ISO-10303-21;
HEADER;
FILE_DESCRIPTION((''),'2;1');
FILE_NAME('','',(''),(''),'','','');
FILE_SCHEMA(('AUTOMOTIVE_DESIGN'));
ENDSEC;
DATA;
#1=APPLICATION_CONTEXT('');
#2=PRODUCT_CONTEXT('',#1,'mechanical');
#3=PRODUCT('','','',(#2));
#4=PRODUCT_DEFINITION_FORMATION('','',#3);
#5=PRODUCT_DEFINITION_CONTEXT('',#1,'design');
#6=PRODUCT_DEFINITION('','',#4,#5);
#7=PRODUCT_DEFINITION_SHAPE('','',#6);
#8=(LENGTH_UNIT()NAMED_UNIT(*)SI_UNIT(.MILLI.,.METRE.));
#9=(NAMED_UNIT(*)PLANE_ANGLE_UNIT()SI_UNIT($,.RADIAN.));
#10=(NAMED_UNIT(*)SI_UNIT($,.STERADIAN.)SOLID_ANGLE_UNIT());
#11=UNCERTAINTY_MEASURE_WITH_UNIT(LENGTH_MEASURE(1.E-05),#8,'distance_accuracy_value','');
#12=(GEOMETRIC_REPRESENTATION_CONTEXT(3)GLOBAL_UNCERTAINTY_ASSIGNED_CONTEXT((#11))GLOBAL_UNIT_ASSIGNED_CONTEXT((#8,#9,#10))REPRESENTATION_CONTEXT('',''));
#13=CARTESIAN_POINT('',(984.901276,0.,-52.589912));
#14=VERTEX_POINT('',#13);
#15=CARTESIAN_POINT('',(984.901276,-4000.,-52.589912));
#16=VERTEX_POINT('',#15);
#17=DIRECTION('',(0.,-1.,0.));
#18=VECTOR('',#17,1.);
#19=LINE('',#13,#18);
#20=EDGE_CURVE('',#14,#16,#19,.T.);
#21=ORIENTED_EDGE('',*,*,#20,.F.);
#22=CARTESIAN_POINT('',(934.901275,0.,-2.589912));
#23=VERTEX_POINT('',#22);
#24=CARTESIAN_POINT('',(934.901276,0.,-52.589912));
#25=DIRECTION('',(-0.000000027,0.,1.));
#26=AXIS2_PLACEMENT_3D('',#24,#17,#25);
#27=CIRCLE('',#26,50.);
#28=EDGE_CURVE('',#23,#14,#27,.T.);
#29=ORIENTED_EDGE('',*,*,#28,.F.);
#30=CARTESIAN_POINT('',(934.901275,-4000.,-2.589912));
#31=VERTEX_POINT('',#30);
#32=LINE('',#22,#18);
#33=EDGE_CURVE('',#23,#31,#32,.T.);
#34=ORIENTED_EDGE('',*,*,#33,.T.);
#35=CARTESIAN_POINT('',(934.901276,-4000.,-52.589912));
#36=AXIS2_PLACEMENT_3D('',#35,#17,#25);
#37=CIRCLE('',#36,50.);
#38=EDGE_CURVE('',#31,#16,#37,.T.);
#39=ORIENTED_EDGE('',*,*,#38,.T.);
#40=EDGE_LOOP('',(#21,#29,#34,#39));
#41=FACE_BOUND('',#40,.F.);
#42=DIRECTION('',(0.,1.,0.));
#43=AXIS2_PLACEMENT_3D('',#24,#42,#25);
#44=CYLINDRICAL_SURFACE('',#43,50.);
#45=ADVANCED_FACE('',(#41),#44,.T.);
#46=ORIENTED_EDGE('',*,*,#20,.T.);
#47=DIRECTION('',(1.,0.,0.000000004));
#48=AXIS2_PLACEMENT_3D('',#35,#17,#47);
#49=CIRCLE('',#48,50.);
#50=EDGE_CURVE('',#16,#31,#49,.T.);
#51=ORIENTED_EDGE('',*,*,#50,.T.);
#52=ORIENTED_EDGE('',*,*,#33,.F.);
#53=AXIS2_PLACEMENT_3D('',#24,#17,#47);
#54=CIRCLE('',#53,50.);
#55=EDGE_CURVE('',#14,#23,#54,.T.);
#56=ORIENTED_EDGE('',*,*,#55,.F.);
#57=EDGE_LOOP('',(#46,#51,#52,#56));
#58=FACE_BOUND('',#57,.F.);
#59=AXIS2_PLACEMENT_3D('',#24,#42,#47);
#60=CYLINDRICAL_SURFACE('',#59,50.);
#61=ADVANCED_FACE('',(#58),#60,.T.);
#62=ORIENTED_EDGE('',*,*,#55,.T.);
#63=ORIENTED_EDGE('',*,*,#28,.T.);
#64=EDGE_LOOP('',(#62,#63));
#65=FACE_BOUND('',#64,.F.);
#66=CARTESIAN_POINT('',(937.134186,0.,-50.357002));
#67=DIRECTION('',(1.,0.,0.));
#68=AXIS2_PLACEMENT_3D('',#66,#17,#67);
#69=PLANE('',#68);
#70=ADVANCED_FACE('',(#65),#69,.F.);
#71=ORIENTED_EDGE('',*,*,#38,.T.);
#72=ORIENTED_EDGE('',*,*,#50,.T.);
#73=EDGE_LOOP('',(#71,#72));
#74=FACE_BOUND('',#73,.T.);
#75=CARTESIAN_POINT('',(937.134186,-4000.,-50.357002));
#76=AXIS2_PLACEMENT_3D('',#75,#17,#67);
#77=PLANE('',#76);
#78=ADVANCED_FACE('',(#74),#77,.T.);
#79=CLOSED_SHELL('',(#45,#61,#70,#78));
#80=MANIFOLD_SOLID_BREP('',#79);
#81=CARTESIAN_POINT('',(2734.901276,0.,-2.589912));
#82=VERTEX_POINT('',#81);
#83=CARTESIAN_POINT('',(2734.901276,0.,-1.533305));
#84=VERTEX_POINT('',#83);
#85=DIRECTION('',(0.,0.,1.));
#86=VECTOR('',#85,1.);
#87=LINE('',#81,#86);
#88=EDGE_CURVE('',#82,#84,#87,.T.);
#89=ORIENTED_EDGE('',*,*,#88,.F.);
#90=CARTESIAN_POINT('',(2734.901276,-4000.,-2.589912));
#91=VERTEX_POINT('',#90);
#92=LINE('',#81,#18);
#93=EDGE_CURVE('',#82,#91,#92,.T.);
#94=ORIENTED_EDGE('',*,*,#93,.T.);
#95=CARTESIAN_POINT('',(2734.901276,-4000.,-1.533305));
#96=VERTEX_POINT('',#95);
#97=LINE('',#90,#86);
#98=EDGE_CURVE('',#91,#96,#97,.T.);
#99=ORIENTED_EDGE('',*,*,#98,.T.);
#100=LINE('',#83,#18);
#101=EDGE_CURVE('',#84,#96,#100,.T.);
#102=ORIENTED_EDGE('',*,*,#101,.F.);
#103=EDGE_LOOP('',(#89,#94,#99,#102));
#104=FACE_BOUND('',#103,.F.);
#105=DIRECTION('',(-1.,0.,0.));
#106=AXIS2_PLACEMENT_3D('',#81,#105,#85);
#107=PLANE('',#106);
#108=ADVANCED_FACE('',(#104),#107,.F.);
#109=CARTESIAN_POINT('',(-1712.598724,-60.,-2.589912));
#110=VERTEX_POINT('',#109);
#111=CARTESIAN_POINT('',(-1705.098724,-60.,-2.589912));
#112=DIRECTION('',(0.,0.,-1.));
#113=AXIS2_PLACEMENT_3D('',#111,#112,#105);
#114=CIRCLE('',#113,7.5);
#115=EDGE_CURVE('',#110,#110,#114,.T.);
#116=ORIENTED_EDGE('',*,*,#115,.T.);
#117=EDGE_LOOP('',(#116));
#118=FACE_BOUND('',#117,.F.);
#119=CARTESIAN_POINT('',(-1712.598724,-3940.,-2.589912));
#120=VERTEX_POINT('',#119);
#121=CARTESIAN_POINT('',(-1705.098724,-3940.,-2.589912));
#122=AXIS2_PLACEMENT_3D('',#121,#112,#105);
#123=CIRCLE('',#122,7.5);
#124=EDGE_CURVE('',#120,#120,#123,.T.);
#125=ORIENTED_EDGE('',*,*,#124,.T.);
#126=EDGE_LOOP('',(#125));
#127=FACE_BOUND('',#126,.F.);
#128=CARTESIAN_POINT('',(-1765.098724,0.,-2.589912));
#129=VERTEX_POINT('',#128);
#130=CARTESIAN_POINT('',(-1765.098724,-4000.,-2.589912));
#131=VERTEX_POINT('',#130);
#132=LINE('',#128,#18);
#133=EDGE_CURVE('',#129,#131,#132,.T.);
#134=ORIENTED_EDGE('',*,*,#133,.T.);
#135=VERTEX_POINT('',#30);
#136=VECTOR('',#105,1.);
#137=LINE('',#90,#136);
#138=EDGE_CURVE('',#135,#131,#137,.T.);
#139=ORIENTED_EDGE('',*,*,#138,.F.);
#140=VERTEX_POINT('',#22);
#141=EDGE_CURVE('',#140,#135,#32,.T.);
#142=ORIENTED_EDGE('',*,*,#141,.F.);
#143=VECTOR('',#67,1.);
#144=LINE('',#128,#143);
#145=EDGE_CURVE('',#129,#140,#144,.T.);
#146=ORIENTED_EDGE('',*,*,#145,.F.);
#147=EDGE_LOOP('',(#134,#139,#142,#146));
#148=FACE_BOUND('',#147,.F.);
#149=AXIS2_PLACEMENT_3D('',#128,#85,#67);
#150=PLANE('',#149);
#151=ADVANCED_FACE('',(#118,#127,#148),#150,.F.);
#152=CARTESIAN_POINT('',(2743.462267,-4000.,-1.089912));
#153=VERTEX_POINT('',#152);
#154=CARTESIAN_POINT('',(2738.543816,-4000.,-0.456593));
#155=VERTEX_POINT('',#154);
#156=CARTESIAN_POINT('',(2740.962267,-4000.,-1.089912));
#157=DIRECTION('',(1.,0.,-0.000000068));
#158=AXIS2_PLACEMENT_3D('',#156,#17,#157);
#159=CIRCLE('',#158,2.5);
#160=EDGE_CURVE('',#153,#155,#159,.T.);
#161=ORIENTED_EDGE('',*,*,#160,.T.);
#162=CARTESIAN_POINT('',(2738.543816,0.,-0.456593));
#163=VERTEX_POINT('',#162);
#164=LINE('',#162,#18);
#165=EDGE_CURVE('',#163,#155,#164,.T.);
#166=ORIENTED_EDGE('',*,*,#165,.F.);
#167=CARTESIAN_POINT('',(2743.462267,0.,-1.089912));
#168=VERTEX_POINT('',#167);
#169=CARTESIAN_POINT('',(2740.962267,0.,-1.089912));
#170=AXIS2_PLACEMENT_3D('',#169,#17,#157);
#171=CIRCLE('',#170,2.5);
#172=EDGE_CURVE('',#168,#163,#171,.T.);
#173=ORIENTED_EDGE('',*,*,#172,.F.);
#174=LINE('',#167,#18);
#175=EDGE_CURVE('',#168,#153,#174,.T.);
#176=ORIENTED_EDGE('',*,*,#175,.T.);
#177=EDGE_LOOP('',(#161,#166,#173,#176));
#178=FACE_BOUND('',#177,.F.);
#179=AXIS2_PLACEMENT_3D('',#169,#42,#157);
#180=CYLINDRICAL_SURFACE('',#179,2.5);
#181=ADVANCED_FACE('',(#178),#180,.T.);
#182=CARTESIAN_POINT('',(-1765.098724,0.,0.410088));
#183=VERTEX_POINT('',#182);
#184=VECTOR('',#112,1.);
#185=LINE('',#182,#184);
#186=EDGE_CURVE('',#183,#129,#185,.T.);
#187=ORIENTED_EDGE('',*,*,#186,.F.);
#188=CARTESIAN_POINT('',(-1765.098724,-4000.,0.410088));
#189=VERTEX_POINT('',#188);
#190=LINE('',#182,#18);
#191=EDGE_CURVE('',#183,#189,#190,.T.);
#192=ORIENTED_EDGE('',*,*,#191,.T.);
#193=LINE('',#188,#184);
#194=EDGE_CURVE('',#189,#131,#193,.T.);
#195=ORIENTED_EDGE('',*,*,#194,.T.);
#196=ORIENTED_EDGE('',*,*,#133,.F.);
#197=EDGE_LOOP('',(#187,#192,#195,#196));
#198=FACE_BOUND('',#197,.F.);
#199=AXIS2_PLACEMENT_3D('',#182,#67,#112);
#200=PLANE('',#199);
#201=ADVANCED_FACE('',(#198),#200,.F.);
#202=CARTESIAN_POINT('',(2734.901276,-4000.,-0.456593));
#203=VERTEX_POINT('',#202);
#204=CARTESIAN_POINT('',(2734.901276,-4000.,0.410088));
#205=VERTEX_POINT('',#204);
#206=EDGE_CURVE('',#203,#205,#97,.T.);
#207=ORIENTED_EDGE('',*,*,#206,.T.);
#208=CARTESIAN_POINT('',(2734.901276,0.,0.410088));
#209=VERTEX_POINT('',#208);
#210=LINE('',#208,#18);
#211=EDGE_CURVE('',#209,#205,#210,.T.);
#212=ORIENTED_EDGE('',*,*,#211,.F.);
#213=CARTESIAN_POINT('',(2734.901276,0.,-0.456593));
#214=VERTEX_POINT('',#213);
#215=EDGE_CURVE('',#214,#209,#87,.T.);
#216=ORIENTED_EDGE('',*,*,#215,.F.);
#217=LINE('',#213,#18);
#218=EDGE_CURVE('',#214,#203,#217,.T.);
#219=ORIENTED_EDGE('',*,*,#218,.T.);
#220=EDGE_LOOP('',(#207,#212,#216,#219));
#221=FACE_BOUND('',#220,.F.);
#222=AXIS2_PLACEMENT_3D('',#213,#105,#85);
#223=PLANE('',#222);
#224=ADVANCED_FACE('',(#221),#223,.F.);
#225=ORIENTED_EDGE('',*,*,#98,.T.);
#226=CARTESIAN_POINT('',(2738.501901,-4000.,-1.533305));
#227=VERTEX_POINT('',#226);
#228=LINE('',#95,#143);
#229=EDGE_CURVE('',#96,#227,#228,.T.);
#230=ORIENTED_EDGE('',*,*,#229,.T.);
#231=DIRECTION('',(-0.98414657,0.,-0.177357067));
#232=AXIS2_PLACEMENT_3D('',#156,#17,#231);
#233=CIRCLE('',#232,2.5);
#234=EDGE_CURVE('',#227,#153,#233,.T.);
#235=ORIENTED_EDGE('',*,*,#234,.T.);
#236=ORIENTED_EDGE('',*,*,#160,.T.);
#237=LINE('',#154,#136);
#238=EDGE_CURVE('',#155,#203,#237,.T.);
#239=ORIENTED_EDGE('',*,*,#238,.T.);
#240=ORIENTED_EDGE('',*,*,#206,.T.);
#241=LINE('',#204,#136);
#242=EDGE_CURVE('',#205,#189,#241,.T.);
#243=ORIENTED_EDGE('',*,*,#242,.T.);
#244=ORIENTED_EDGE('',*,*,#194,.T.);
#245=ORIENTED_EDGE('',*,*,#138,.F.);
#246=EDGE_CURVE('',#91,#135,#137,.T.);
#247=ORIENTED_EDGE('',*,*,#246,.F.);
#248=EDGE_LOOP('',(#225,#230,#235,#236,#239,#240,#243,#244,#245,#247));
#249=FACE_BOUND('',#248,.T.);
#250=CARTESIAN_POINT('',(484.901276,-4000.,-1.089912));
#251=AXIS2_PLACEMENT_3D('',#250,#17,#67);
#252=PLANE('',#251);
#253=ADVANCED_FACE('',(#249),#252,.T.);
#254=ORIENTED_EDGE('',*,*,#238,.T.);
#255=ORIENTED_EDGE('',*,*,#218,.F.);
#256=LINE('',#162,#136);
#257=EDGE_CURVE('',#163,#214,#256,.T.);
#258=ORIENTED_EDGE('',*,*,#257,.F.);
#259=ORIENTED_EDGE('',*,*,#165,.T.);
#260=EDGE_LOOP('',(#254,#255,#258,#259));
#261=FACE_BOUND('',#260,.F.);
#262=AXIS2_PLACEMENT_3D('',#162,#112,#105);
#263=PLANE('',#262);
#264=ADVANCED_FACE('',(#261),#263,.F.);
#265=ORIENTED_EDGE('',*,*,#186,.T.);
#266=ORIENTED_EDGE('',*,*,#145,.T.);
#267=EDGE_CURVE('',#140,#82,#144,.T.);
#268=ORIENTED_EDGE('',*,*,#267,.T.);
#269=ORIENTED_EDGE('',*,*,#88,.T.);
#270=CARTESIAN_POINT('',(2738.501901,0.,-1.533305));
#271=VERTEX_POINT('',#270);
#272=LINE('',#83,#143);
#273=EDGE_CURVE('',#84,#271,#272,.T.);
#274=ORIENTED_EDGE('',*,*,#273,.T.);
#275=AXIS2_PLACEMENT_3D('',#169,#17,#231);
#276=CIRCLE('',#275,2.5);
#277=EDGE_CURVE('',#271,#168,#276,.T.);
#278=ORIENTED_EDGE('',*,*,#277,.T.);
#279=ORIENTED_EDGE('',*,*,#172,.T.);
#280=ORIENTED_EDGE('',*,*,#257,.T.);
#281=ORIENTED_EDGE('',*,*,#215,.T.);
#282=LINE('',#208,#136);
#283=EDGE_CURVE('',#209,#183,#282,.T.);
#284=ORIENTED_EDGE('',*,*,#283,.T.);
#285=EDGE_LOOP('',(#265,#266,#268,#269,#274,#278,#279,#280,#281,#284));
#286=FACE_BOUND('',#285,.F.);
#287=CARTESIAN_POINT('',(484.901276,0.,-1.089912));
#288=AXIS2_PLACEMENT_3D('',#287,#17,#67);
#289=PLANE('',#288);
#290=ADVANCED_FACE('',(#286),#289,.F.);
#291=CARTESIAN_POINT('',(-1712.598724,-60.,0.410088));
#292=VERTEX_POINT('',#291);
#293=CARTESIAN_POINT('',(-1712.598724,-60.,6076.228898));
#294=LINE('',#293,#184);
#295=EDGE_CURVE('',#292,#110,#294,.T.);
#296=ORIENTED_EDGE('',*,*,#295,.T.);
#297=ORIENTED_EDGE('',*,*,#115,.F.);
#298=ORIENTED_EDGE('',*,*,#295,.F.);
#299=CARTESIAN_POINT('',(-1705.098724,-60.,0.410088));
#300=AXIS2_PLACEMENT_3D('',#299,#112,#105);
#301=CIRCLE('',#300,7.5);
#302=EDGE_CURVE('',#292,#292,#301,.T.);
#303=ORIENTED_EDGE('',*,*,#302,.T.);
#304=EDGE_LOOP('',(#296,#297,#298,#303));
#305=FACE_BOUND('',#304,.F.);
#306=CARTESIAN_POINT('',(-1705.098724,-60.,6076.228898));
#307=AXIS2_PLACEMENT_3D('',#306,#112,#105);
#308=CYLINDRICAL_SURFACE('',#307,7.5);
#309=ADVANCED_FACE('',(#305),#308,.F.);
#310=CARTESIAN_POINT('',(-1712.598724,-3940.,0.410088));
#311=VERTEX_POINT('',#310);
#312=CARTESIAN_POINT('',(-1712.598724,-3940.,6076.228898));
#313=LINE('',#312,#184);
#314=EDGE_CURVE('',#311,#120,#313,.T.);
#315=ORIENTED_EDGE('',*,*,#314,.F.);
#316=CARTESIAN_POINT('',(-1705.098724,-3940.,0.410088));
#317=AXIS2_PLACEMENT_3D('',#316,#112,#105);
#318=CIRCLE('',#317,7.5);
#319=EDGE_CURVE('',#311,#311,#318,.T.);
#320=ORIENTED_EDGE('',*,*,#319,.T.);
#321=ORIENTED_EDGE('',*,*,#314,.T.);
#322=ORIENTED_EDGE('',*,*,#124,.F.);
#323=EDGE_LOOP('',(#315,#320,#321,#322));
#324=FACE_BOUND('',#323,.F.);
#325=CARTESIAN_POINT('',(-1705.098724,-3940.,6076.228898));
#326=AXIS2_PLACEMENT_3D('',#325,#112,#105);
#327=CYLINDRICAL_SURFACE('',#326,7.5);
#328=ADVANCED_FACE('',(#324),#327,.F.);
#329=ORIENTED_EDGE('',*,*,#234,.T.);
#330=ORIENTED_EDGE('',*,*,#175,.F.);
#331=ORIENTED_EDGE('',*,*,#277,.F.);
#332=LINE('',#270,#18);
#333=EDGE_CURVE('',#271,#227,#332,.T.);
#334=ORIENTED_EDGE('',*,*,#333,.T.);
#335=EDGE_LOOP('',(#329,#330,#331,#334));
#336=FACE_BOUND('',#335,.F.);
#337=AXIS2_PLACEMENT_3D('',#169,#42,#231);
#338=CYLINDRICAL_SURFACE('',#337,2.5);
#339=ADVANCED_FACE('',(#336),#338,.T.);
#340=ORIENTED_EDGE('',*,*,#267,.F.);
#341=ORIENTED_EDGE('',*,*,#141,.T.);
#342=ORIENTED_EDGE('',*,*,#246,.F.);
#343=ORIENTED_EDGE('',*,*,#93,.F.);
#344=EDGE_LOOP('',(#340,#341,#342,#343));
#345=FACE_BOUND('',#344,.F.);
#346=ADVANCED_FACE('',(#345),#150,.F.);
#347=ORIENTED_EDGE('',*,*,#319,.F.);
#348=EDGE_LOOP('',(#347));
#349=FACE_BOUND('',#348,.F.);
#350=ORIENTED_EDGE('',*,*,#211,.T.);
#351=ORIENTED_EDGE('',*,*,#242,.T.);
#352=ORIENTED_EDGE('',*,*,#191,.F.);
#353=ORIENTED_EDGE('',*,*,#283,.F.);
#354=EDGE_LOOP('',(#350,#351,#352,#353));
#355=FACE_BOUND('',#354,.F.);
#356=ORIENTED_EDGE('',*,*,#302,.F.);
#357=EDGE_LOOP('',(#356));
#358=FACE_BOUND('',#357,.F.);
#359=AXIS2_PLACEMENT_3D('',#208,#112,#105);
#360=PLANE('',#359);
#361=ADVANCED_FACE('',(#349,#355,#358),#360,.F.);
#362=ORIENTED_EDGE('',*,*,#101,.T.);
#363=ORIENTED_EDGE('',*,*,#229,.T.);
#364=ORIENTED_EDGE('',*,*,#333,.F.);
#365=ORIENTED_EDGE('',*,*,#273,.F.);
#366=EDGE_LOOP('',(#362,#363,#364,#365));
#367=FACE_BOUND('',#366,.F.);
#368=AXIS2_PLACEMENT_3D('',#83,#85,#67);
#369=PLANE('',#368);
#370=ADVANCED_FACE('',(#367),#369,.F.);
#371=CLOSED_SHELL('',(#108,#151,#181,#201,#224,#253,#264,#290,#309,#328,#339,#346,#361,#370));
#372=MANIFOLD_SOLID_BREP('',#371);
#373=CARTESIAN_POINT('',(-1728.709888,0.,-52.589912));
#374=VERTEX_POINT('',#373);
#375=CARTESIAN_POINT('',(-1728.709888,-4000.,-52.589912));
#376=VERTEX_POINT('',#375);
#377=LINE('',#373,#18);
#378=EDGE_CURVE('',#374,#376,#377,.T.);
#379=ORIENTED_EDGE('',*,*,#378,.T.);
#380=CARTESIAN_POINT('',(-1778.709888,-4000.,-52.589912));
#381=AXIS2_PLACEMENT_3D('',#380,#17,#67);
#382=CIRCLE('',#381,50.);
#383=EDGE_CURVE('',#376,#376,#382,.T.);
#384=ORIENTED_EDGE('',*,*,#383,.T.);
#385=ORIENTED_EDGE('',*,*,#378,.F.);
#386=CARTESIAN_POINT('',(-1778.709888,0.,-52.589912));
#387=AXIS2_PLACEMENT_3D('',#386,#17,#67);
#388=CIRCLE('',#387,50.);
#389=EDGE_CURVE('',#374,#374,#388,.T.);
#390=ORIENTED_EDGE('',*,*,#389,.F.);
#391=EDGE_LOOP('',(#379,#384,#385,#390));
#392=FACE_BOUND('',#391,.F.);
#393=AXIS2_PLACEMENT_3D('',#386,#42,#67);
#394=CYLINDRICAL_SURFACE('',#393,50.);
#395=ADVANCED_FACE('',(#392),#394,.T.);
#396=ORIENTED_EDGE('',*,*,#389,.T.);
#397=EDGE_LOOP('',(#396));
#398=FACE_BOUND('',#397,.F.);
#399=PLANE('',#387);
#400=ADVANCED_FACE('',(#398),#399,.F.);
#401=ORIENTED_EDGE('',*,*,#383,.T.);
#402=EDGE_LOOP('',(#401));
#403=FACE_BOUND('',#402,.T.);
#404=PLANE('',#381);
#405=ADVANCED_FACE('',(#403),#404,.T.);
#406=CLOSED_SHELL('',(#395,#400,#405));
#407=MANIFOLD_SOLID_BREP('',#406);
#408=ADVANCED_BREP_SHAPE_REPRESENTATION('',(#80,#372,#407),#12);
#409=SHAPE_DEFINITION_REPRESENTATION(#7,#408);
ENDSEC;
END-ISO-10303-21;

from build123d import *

# Parameters (mm, degrees)
F0_R     = 50
F1_DEPTH = 4000
F3_D     = 15
F5_D     = 15


with BuildPart() as f1:
    # F0 (on Front) → F1 (new body)
    with BuildSketch(Plane.XZ):
        Polygon((-1765.098724, 0.410088), (-1765.098724, -2.589912), (934.901275, -2.589912), (2734.901276, -2.589912), (2734.901276, -1.533305), (2734.901276, -0.456593), (2734.901276, 0.410088), align=None)
        with BuildLine():
            ThreePointArc((984.901276, -52.589912), (970.256615, -17.234573), (934.901275, -2.589912))
            ThreePointArc((934.901275, -2.589912), (899.545938, -87.945251), (984.901276, -52.589912))
        make_face()
        with BuildLine():
            Line((2734.901276, -0.456593), (2734.901276, -1.533305))
            Line((2734.901276, -1.533305), (2738.501901, -1.533305))
            ThreePointArc((2738.501901, -1.533305), (2738.464159, -0.992664), (2738.543816, -0.456593))
            Line((2738.543816, -0.456593), (2734.901276, -0.456593))
        make_face()
        with BuildLine():
            ThreePointArc((2738.543816, -0.456593), (2738.464159, -0.992664), (2738.501901, -1.533305))
            ThreePointArc((2738.501901, -1.533305), (2741.184848, -3.579984), (2743.462267, -1.089912))
            ThreePointArc((2743.462267, -1.089912), (2741.281541, 1.389617), (2738.543816, -0.456593))
        make_face()
        with Locations((-1778.709888, -52.589912)):
            Circle(F0_R)
    extrude(amount=F1_DEPTH)

    # F3 (through all)
    with Locations(Plane.XY.offset(0.410088)):
        with Locations((-1705.098724, -60)):
            Hole(F3_D / 2)

    # F5 (through all)
    with Locations(Plane.XY.offset(0.410088)):
        with Locations((-1705.098724, -3940)):
            Hole(F5_D / 2)


solid = f1.part
